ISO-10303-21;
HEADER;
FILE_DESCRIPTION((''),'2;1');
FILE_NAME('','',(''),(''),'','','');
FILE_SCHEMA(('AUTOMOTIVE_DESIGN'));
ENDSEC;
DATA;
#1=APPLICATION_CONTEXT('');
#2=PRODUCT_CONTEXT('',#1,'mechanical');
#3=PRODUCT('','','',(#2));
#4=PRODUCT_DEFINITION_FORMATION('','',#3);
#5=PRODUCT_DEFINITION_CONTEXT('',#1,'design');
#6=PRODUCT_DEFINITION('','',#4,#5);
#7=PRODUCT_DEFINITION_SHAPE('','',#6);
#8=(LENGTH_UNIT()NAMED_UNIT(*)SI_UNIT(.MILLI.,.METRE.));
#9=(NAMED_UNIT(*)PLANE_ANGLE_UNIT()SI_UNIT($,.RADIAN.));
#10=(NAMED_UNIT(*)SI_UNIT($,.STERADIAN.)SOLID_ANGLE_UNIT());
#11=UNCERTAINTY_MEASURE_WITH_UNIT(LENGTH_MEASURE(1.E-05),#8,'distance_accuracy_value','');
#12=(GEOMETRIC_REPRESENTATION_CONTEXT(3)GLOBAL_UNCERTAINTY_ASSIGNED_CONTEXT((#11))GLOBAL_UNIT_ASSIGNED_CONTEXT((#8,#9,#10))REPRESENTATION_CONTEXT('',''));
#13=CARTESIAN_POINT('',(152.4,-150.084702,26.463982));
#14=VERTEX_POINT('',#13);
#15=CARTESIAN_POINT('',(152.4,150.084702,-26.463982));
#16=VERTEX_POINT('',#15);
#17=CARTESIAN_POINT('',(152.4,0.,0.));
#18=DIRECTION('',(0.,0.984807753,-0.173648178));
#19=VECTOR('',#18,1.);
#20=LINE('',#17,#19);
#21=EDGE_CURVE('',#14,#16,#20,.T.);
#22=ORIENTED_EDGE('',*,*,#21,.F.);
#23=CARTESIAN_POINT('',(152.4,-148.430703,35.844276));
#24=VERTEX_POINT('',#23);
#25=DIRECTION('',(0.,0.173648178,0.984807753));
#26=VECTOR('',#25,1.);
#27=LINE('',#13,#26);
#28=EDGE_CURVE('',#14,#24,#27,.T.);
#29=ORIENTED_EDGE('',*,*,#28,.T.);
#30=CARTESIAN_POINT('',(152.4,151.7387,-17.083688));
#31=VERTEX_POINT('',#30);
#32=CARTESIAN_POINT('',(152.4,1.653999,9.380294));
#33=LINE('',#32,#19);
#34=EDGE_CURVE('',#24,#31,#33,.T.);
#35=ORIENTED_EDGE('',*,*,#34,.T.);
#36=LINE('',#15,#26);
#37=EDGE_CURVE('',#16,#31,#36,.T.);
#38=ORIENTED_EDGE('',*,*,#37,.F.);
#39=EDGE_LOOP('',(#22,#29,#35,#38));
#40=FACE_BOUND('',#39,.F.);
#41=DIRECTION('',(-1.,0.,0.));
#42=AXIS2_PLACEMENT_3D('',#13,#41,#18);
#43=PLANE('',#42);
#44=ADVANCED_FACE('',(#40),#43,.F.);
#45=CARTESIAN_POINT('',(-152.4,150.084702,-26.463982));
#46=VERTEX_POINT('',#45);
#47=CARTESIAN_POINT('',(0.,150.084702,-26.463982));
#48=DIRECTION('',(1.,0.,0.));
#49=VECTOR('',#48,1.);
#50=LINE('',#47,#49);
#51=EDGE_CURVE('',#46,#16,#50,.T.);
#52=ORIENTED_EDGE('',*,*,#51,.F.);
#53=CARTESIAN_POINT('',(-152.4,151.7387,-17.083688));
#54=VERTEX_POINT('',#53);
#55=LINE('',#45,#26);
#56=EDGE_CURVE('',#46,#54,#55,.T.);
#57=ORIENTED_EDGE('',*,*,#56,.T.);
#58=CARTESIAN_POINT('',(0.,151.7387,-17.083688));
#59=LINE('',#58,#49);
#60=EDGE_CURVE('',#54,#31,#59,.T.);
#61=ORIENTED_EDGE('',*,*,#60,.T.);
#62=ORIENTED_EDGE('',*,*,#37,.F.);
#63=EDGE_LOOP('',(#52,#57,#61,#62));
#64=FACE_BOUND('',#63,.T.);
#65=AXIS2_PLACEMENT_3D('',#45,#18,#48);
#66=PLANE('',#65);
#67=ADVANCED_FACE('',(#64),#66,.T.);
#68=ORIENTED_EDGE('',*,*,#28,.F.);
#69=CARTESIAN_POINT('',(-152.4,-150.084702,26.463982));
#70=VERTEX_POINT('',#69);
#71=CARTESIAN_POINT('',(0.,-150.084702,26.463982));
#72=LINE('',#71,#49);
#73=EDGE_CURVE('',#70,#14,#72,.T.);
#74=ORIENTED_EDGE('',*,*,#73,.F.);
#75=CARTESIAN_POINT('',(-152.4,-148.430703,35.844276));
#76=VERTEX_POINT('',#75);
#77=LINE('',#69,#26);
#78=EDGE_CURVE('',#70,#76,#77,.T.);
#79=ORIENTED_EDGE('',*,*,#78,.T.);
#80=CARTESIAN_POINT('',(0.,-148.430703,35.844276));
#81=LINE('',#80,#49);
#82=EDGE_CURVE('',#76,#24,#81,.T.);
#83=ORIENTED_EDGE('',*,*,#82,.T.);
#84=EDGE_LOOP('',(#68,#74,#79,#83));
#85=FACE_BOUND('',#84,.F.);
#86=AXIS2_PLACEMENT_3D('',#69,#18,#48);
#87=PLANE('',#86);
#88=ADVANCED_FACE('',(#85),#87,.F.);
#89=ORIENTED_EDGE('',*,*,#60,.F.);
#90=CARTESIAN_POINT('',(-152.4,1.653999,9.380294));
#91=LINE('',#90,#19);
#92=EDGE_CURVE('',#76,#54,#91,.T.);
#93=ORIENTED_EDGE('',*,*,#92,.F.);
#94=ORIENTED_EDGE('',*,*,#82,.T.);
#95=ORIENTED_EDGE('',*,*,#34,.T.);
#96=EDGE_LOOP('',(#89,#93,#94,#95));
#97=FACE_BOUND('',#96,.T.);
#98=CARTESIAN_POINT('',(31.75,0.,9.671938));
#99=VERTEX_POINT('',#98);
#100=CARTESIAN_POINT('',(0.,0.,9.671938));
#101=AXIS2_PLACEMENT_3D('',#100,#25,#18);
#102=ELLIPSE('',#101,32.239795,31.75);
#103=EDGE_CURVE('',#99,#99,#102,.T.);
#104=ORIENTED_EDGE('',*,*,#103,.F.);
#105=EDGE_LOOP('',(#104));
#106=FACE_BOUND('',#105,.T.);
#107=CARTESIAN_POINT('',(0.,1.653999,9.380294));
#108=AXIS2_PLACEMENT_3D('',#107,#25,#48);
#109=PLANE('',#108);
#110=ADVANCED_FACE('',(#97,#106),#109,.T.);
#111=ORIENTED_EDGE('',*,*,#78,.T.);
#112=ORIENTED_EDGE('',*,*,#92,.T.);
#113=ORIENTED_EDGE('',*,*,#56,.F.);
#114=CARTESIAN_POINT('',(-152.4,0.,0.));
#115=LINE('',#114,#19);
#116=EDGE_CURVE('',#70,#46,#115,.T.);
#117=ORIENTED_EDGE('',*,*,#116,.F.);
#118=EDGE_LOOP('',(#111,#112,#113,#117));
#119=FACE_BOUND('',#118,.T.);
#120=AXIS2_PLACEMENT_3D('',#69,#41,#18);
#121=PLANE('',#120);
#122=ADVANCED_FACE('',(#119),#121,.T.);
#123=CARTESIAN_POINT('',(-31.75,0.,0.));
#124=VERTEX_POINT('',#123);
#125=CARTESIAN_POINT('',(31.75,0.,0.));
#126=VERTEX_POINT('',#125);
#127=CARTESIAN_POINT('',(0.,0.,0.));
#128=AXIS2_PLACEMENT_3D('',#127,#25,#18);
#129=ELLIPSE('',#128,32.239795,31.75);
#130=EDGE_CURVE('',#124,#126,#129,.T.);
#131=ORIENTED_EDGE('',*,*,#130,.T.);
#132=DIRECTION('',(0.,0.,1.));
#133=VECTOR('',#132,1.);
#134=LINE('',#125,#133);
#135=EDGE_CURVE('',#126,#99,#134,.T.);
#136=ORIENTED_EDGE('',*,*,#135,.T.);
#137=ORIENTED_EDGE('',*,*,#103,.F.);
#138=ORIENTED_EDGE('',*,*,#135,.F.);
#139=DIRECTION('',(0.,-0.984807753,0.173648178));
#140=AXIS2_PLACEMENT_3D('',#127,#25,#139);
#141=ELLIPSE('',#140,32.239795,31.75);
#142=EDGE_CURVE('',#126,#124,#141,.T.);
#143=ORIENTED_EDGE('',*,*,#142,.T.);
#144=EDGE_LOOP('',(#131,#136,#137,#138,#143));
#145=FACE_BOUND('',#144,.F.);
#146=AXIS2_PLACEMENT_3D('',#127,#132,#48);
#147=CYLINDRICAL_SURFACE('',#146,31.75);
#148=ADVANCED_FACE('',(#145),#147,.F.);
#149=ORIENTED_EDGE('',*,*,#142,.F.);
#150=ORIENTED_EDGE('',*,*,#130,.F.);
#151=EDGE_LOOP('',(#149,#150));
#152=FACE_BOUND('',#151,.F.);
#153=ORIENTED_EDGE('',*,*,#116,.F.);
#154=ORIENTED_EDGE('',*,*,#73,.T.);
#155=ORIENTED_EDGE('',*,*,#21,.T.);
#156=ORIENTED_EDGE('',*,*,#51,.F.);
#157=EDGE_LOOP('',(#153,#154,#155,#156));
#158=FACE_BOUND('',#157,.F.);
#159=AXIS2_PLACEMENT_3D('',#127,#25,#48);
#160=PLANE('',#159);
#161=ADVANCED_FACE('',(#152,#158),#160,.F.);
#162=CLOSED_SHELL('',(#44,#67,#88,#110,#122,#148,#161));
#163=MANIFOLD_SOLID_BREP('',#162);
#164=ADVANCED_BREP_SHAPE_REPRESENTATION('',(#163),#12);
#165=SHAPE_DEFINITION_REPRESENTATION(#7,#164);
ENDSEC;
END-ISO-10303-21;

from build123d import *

# Parameters (mm, degrees)
F2_W          = 304.8
F2_H          = 304.8
F3_DEPTH      = 9.525
F4_R          = 31.75
F5_DEPTH      = 25.4
F5_DEPTH_BACK = 25.4


with BuildPart() as f3:
    # F2 (on line) → F3 (new body)
    with BuildSketch(Plane(origin=(0, 0, 0), x_dir=(1, 0, 0), z_dir=(0, 0.1736481777, 0.984807753))):
        Rectangle(F2_W, F2_H)
    extrude(amount=F3_DEPTH)

    # F4 (on Top) → F5 (cut, two sides)
    with BuildSketch(Plane.XY) as f5_sk:
        Circle(F4_R)
    extrude(amount=-F5_DEPTH, mode=Mode.SUBTRACT)
    extrude(f5_sk.sketch, amount=F5_DEPTH_BACK, mode=Mode.SUBTRACT)


solid = f3.part
